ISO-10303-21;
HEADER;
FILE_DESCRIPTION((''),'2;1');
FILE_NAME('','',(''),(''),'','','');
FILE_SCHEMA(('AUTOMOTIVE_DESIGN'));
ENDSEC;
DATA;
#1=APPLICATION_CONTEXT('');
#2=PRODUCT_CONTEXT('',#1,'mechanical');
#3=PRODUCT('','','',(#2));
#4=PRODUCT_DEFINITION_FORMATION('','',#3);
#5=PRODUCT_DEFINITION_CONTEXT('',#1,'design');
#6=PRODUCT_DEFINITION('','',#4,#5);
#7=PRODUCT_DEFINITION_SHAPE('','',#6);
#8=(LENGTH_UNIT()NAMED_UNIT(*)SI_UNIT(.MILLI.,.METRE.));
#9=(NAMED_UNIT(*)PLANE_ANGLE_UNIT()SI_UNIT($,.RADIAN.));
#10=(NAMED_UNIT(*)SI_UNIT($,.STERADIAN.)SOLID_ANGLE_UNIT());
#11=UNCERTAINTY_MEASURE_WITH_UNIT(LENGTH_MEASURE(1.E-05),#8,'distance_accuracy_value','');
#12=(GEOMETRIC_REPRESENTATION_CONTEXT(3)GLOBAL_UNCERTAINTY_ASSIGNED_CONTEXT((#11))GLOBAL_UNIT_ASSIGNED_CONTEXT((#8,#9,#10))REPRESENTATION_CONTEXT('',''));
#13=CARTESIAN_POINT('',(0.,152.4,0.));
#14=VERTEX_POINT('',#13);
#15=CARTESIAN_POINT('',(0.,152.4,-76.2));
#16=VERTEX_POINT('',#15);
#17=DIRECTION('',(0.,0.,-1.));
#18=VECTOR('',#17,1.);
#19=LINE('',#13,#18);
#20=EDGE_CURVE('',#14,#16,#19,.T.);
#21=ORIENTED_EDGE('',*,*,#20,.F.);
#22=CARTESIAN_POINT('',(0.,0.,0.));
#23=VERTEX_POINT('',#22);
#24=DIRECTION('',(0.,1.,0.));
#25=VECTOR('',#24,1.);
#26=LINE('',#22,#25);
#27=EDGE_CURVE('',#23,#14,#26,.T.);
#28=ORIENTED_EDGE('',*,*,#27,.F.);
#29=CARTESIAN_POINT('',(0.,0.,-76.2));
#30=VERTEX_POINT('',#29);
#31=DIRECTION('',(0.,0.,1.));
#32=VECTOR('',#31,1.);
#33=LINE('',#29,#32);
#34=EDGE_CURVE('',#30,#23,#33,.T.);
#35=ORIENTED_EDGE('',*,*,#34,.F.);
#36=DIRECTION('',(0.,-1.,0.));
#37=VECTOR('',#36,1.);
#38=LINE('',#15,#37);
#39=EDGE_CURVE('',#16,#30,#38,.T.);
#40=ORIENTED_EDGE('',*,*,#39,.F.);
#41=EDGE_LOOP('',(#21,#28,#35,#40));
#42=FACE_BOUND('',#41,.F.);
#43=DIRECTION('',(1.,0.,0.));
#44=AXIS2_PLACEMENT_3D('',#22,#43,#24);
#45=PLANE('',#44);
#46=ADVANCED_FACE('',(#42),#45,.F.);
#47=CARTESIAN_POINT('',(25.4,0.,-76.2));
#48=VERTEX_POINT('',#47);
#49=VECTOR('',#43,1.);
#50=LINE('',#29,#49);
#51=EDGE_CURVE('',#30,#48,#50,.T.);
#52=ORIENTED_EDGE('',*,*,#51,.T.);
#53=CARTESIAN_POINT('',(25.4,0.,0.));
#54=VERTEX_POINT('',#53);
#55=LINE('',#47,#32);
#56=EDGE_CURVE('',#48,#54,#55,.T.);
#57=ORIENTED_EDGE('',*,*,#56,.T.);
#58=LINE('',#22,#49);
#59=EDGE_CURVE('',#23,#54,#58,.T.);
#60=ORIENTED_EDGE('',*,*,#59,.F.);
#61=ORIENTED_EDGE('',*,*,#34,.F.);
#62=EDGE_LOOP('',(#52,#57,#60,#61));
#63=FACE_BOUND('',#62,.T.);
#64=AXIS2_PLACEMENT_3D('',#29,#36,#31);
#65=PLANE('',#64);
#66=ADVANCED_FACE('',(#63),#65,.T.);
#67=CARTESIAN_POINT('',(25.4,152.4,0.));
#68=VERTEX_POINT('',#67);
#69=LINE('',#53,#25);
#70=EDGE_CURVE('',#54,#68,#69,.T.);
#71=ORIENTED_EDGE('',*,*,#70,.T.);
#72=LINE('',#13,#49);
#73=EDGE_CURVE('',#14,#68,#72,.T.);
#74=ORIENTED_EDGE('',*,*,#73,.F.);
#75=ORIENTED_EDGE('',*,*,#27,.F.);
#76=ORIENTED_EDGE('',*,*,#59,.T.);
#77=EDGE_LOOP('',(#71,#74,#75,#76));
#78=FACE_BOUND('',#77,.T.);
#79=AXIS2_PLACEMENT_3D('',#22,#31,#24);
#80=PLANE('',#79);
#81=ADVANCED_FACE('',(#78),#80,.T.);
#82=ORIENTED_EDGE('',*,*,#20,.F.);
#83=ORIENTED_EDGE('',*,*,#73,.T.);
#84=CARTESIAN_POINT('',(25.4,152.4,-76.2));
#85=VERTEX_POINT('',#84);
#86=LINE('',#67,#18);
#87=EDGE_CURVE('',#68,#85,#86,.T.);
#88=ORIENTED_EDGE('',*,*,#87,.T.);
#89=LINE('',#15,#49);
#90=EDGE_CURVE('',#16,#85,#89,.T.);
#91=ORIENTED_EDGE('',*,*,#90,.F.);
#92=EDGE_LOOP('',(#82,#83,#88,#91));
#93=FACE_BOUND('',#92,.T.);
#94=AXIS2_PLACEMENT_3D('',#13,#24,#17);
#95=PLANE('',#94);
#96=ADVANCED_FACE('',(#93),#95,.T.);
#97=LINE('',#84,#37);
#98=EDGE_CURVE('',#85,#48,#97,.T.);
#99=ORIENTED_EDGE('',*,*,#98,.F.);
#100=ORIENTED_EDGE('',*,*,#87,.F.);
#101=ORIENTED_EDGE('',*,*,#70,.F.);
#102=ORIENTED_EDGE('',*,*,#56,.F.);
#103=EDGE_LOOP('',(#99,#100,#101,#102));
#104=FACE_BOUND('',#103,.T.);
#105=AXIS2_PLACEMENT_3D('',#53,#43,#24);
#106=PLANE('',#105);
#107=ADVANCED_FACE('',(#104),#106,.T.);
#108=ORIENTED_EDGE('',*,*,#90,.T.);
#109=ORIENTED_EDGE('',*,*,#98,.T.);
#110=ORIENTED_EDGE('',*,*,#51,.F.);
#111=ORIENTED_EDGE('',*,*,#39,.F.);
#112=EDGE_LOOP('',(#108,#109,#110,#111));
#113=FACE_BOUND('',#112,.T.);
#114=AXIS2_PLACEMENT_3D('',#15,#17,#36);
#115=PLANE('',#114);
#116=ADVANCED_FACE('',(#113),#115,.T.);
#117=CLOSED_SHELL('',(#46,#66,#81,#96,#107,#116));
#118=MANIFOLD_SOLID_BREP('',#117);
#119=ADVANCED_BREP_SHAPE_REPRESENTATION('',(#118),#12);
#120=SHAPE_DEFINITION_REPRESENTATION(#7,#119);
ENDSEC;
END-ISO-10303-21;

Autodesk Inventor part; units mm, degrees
ref_plane "YZ Plane" through (0, 0, 0) normal (1, 0, 0) x (0, 1, 0)
ref_plane "XZ Plane" through (0, 0, 0) normal (0, 1, 0) x (-1, 0, 0)
ref_plane "XY Plane" through (0, 0, 0) normal (0, 0, 1) x (1, 0, 0)
sketch "Sketch1" plane through (0, 0, 0) normal (1, 0, 0) x (0, 1, 0)
  line L0 (0, 0) -> (152.4, 0)
  line L1 (152.4, 0) -> (152.4, -76.2)
  line L2 (152.4, -76.2) -> (0, -76.2)
  line L3 (0, -76.2) -> (0, 0)
  dimension "d0" = 152.4
  dimension "d1" = 76.2
extrude "Extrusion1" add sketch "Sketch1" along normal blind 25.4
properties part number "TestPart"
